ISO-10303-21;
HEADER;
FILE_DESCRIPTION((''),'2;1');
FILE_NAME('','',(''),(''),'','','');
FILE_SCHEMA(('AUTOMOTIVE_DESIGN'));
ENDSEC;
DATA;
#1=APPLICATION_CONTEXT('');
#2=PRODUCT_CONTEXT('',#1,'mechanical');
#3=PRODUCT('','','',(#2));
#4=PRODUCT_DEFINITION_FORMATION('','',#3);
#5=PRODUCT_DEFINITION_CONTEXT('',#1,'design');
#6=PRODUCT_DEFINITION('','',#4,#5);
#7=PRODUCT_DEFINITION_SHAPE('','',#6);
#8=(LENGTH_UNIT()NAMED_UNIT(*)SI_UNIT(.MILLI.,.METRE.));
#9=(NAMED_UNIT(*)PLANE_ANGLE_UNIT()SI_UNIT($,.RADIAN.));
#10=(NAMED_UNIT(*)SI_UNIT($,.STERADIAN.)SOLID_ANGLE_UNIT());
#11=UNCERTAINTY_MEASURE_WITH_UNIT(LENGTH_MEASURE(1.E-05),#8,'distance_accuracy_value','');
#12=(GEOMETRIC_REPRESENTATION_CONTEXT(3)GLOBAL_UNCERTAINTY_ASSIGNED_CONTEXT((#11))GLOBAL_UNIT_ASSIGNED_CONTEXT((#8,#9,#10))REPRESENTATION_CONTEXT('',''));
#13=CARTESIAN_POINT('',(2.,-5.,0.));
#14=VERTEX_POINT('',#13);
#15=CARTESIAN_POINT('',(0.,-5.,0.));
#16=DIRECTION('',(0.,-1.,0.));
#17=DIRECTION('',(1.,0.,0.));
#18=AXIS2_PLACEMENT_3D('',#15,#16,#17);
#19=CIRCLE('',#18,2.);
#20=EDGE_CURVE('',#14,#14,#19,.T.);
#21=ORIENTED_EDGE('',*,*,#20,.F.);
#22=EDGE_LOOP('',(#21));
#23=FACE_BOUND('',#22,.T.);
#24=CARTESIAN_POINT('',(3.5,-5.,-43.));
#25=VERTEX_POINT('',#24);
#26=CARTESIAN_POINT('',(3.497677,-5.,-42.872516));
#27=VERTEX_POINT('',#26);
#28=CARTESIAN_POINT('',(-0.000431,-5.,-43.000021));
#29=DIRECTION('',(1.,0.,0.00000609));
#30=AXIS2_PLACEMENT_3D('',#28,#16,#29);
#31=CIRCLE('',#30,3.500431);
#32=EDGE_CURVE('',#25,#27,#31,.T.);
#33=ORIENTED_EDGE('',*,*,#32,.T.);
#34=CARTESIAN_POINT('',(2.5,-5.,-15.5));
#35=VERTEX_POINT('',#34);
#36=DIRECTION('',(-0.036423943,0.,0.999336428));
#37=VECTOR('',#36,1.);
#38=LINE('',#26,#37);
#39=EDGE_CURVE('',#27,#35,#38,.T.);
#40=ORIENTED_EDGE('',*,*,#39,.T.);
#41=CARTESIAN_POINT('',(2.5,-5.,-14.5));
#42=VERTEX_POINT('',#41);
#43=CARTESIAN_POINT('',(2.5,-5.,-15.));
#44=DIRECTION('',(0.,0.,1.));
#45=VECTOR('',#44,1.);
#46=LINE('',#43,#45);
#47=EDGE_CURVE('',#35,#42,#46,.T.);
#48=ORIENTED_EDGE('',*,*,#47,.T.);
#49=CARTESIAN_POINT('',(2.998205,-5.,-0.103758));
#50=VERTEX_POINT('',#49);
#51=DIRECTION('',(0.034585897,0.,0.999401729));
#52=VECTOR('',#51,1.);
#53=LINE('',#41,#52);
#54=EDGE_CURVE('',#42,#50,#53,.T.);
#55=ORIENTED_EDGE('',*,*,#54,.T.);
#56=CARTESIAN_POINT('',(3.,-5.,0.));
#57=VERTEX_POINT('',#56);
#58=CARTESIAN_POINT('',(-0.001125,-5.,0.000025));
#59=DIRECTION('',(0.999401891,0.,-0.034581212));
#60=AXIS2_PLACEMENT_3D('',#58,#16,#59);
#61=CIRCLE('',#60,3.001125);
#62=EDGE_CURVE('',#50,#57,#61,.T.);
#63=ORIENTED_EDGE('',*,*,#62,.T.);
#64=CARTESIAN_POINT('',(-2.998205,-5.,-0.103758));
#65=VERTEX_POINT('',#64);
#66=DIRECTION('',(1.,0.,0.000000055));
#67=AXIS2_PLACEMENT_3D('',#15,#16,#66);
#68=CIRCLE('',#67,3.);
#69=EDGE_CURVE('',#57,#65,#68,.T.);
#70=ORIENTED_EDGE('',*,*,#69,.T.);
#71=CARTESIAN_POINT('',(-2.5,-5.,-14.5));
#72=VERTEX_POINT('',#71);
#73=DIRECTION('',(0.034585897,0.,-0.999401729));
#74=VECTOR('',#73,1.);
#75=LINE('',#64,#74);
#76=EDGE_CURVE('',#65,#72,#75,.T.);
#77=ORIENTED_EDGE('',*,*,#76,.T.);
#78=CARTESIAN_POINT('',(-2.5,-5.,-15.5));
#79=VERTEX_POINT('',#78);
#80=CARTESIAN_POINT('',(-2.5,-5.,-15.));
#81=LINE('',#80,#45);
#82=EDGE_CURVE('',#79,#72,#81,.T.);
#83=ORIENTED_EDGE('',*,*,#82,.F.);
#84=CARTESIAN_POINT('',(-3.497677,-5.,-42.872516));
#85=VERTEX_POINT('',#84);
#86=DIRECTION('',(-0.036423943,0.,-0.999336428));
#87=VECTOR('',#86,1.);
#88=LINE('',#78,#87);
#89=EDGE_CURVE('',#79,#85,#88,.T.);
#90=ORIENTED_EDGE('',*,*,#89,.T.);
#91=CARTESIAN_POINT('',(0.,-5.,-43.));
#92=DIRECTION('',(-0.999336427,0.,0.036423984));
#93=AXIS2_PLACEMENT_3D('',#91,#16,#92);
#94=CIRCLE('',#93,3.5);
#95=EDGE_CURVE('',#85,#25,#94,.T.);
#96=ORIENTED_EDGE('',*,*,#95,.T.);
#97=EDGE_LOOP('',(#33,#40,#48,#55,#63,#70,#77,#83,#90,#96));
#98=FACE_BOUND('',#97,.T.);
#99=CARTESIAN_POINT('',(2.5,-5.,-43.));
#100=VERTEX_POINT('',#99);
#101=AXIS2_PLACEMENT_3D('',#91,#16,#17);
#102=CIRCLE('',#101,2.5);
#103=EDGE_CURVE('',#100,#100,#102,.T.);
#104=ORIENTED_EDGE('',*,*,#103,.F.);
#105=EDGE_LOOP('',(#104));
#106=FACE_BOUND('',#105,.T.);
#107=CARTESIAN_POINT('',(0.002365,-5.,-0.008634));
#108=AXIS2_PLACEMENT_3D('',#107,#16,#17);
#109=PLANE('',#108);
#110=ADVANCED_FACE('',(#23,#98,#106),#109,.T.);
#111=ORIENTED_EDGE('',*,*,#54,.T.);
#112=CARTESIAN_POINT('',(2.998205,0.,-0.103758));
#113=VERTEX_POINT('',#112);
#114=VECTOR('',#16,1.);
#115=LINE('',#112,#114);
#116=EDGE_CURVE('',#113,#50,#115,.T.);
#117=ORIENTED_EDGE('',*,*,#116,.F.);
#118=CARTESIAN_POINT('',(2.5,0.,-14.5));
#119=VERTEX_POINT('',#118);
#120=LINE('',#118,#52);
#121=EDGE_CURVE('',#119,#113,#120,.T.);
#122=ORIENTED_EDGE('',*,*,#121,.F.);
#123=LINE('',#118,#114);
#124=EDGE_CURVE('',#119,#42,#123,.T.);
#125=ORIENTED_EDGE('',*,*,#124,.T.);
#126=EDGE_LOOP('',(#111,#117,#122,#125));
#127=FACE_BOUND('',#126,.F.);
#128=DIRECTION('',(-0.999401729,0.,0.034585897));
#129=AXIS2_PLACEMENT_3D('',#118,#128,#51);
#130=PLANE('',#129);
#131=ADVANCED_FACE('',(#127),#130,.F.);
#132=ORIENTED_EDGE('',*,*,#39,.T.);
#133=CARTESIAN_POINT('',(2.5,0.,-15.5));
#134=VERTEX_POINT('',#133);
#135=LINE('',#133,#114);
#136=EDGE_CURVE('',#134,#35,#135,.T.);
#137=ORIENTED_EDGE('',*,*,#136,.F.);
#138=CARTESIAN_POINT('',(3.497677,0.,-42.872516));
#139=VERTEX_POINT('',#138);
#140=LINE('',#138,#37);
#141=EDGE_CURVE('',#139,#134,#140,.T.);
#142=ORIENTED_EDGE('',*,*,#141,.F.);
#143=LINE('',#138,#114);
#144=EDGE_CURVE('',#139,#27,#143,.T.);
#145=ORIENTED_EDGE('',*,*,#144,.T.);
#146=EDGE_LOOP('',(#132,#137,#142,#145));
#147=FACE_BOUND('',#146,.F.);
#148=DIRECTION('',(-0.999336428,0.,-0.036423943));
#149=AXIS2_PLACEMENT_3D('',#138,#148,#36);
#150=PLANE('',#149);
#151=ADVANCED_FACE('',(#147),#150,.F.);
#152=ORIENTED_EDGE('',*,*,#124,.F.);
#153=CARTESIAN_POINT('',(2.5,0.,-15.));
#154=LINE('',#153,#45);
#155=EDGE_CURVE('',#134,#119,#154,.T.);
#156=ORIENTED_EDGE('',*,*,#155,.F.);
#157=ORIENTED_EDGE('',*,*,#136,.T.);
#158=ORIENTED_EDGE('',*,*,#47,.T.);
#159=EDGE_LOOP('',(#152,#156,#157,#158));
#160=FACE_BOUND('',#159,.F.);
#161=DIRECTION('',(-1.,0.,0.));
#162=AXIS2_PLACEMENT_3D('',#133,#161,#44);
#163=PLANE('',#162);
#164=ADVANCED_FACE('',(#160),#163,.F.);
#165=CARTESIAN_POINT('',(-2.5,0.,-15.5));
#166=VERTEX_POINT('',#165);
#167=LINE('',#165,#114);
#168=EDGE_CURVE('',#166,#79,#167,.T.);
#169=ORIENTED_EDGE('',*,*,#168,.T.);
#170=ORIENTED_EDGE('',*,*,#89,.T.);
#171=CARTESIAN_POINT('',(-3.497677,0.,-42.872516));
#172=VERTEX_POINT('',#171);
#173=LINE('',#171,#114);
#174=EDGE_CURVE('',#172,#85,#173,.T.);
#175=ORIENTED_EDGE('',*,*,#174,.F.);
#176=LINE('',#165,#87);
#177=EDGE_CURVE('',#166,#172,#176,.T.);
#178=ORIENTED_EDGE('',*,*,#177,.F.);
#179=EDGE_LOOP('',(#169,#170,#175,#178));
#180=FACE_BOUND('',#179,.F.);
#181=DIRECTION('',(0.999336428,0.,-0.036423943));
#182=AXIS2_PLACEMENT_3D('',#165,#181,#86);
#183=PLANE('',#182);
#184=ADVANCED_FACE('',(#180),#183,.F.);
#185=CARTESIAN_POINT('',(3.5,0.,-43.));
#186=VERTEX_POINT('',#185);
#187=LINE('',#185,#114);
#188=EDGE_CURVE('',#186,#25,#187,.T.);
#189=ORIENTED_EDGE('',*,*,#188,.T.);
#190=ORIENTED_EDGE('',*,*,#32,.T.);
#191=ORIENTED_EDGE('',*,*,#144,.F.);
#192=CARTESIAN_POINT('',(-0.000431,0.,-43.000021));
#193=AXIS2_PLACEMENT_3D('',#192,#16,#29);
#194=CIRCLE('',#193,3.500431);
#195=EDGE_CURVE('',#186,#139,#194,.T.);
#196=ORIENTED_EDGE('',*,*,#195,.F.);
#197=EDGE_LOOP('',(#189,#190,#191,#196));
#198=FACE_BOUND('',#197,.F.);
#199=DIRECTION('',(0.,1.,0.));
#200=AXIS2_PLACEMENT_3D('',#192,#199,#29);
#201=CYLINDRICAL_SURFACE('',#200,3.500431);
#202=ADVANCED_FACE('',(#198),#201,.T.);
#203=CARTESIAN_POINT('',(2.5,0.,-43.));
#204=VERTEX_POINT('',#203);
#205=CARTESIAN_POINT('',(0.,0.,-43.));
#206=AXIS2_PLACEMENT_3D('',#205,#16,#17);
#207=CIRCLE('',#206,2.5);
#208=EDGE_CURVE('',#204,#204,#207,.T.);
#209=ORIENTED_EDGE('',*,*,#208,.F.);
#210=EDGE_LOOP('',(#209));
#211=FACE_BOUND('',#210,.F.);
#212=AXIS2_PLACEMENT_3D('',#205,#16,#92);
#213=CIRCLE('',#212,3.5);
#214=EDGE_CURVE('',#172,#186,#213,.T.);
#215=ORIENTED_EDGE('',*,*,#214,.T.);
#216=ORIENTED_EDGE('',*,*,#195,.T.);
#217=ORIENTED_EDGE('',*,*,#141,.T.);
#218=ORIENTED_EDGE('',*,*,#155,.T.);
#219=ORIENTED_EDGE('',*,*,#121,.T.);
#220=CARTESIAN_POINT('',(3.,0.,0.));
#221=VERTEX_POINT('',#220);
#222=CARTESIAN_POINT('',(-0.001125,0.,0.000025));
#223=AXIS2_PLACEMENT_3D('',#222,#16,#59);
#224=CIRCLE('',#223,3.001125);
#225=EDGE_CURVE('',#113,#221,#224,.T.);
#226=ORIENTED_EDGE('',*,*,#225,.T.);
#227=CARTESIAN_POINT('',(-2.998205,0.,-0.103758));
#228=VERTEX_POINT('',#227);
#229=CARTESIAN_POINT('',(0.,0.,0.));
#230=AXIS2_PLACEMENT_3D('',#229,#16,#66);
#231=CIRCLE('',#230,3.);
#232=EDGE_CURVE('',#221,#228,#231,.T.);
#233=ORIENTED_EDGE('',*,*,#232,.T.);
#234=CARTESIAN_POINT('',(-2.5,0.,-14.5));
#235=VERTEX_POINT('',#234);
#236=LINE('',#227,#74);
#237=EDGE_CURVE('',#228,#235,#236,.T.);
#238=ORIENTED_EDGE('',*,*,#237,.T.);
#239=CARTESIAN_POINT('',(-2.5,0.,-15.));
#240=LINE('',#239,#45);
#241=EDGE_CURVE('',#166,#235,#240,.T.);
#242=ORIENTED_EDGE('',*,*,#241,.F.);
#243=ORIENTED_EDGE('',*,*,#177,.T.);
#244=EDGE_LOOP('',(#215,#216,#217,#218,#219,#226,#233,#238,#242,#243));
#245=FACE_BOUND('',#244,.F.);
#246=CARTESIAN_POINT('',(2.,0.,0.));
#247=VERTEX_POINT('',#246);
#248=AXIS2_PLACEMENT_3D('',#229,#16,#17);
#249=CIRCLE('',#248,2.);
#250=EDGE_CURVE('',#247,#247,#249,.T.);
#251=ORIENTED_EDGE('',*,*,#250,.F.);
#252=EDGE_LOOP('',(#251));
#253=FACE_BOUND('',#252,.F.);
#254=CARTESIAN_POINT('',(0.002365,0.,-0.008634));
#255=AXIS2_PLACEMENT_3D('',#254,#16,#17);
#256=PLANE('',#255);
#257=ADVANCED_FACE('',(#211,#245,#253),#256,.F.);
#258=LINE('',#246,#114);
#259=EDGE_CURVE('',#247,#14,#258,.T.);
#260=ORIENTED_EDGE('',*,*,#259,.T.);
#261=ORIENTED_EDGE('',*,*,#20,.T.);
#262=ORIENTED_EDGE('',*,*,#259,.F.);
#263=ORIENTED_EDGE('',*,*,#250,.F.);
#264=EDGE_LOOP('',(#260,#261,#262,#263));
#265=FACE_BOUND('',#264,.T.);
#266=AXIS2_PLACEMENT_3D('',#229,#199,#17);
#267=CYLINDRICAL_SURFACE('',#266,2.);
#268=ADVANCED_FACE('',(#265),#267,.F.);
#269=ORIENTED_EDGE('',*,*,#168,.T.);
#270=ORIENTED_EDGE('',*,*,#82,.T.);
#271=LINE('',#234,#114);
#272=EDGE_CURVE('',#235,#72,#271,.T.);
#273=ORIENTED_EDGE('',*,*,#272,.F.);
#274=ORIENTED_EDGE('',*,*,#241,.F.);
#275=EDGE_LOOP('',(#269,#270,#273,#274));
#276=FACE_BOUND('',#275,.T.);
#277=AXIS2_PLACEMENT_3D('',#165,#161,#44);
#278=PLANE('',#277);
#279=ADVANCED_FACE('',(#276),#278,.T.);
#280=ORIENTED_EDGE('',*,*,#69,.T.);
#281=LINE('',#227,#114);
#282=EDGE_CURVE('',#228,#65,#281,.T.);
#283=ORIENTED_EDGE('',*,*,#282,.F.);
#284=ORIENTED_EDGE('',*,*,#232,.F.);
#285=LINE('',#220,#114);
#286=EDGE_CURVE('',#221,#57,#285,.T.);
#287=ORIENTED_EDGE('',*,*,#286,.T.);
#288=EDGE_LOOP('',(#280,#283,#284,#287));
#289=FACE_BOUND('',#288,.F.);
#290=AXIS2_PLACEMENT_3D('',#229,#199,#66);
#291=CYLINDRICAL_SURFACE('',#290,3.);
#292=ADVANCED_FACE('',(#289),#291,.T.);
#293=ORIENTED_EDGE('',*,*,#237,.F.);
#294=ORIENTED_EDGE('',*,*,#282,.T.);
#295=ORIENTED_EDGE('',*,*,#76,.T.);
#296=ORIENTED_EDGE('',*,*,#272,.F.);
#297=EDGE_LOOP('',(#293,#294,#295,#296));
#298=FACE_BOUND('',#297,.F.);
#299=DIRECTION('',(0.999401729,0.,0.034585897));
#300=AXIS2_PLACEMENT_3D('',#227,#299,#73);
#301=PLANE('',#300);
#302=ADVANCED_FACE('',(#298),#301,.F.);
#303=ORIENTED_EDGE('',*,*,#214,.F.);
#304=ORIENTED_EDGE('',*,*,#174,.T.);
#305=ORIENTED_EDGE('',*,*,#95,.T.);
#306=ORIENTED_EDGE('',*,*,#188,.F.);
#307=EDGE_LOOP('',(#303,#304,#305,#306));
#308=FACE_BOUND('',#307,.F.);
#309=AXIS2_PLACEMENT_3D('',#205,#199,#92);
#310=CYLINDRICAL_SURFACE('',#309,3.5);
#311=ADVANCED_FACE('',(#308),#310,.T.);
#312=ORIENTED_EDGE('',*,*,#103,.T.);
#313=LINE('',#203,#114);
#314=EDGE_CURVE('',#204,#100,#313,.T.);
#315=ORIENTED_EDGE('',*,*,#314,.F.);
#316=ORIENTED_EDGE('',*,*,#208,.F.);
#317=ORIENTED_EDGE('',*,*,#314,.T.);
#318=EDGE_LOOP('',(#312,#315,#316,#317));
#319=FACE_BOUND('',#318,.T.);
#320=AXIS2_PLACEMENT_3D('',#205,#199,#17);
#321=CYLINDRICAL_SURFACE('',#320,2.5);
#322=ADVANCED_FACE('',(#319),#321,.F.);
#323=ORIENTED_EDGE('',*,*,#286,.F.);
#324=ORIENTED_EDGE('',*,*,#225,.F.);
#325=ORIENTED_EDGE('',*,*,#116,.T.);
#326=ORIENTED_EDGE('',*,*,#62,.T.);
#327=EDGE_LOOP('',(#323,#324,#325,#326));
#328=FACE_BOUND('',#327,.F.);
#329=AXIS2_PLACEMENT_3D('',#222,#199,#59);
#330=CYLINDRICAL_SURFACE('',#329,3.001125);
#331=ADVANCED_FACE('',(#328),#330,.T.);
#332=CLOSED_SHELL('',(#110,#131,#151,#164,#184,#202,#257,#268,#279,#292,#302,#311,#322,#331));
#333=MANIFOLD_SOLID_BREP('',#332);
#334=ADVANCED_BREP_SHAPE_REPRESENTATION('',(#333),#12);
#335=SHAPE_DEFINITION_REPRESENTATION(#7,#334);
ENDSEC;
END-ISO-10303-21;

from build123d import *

# Parameters (mm, degrees)
F0_R     = 2
F0_W     = 5
F0_H     = 1
F0_R_2   = 2.5
F1_DEPTH = 5


with BuildPart() as f1:
    # F0 (on Front) → F1 (new body)
    with BuildSketch(Plane.XZ):
        with BuildLine():
            ThreePointArc((2.998205, -0.103758), (2.999551, -0.051887), (3, 0))
            ThreePointArc((3, 0), (-0.051887, 2.999551), (-2.998205, -0.103758))
            ThreePointArc((-2.998205, -0.103758), (0, -3), (2.998205, -0.103758))
        make_face()
        Circle(F0_R, mode=Mode.SUBTRACT)
        with BuildLine():
            ThreePointArc((2.998205, -0.103758), (0, -3), (-2.998205, -0.103758))
            Line((-2.998205, -0.103758), (-2.5, -14.5))
            Line((-2.5, -14.5), (2.5, -14.5))
            Line((2.5, -14.5), (2.998205, -0.103758))
        make_face()
        with Locations((0, -15)):
            Rectangle(F0_W, F0_H)
        with BuildLine():
            Line((2.5, -15.5), (-2.5, -15.5))
            Line((-2.5, -15.5), (-3.497677, -42.872516))
            ThreePointArc((-3.497677, -42.872516), (0, -39.5), (3.497677, -42.872516))
            Line((3.497677, -42.872516), (2.5, -15.5))
        make_face()
        with BuildLine():
            ThreePointArc((3.497677, -42.872516), (0, -39.5), (-3.497677, -42.872516))
            ThreePointArc((-3.497677, -42.872516), (-0.063753, -46.499419), (3.5, -43))
            ThreePointArc((3.5, -43), (3.499419, -42.936247), (3.497677, -42.872516))
        make_face()
        with Locations((0, -43)):
            Circle(F0_R_2, mode=Mode.SUBTRACT)
    extrude(amount=F1_DEPTH)


solid = f1.part
